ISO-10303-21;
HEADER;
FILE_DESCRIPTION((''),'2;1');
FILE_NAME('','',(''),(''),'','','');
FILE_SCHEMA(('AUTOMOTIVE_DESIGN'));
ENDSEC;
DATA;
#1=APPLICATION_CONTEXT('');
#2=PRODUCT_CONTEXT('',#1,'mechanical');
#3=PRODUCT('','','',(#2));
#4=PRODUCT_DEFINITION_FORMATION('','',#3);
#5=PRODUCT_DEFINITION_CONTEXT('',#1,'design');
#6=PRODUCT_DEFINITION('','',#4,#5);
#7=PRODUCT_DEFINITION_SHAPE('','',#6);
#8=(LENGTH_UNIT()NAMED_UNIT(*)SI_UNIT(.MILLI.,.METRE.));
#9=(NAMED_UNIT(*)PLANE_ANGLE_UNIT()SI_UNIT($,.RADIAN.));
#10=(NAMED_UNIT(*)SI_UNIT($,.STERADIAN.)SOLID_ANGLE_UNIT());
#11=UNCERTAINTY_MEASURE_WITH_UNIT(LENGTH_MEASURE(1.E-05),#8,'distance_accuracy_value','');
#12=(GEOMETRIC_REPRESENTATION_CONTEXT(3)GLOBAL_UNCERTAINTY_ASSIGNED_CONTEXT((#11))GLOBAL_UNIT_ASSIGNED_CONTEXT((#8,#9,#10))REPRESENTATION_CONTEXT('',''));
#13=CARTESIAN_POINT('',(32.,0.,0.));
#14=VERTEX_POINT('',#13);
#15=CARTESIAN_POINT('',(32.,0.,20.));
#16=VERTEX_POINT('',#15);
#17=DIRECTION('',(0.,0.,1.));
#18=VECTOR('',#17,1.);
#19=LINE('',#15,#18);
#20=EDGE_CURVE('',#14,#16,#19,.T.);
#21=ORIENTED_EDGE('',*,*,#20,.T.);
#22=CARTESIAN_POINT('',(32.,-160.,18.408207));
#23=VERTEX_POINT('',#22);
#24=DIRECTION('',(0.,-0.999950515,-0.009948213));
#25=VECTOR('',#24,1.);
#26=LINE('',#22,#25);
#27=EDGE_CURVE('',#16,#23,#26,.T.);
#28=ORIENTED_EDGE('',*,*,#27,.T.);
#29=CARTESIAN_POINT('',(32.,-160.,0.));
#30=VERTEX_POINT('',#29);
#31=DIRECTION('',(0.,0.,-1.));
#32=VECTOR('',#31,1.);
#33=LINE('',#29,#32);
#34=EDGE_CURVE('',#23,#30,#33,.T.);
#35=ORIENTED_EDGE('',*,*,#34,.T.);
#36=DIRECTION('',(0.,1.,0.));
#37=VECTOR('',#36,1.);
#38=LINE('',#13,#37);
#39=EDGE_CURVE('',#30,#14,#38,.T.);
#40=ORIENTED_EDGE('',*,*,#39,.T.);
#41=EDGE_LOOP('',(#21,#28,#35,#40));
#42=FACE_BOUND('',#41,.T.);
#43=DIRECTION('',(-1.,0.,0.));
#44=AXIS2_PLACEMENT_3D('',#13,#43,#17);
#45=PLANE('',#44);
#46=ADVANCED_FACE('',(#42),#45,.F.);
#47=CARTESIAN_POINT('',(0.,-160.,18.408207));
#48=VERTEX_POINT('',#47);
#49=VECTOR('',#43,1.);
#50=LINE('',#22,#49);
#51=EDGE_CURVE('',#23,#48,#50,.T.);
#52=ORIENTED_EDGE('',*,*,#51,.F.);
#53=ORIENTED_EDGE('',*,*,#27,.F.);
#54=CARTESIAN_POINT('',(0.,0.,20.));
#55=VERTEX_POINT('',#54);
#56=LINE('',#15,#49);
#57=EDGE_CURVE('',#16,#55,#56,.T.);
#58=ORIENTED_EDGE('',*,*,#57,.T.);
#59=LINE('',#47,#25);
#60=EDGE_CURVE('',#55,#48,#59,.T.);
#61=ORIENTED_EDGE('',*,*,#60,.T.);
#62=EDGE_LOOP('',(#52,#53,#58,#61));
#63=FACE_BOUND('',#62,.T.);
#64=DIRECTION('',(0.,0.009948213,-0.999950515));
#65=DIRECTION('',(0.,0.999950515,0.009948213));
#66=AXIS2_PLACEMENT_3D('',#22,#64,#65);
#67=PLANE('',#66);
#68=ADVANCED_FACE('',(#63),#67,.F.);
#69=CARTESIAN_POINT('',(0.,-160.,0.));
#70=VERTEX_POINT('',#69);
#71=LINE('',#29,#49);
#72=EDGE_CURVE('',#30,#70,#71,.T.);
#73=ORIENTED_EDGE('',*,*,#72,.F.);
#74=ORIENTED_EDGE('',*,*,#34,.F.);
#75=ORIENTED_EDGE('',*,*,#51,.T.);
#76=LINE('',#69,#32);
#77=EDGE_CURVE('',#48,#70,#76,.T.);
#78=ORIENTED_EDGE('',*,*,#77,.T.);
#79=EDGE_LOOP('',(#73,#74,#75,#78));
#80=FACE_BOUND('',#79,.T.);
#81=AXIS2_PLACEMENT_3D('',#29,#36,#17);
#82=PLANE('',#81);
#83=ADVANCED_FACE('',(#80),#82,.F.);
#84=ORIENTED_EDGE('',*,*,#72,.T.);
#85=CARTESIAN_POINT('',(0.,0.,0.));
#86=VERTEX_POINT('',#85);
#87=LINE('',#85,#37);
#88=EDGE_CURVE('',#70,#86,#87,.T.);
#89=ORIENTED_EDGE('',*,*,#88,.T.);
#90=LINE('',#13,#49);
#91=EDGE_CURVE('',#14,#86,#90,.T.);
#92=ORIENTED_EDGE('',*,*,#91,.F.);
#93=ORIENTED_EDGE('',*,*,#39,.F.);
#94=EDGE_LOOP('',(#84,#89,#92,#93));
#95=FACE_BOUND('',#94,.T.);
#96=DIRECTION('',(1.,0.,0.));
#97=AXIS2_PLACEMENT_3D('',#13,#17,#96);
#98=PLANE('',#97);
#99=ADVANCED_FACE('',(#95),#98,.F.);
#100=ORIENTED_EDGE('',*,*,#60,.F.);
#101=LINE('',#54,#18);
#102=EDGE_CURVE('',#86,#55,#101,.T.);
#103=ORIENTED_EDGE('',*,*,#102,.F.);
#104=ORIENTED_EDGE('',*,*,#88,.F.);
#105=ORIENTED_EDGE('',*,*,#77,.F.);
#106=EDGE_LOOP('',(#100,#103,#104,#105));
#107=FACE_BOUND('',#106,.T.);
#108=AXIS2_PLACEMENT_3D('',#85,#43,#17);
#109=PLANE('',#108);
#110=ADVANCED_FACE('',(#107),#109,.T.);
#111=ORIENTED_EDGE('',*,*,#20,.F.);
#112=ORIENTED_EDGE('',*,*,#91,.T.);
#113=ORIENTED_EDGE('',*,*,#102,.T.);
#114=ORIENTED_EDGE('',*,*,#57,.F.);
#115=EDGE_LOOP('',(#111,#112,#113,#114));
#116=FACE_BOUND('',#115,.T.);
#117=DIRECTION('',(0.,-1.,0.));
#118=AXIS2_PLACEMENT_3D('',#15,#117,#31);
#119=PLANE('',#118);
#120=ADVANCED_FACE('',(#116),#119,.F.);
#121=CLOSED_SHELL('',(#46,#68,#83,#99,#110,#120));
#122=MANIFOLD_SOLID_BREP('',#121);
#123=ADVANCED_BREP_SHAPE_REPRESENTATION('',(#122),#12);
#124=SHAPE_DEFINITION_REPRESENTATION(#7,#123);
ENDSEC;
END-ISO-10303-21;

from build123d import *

# Parameters (mm, degrees)
BOSS_EXTRUDE1_DEPTH = 32


with BuildPart() as part:
    # Sketch1 → Boss-Extrude1 (new body)
    with BuildSketch(Plane.YZ):
        Polygon((0, 0), (-160, 0), (-160, 18.408207208), (0, 20), align=None)
    extrude(amount=BOSS_EXTRUDE1_DEPTH)


solid = part.part
